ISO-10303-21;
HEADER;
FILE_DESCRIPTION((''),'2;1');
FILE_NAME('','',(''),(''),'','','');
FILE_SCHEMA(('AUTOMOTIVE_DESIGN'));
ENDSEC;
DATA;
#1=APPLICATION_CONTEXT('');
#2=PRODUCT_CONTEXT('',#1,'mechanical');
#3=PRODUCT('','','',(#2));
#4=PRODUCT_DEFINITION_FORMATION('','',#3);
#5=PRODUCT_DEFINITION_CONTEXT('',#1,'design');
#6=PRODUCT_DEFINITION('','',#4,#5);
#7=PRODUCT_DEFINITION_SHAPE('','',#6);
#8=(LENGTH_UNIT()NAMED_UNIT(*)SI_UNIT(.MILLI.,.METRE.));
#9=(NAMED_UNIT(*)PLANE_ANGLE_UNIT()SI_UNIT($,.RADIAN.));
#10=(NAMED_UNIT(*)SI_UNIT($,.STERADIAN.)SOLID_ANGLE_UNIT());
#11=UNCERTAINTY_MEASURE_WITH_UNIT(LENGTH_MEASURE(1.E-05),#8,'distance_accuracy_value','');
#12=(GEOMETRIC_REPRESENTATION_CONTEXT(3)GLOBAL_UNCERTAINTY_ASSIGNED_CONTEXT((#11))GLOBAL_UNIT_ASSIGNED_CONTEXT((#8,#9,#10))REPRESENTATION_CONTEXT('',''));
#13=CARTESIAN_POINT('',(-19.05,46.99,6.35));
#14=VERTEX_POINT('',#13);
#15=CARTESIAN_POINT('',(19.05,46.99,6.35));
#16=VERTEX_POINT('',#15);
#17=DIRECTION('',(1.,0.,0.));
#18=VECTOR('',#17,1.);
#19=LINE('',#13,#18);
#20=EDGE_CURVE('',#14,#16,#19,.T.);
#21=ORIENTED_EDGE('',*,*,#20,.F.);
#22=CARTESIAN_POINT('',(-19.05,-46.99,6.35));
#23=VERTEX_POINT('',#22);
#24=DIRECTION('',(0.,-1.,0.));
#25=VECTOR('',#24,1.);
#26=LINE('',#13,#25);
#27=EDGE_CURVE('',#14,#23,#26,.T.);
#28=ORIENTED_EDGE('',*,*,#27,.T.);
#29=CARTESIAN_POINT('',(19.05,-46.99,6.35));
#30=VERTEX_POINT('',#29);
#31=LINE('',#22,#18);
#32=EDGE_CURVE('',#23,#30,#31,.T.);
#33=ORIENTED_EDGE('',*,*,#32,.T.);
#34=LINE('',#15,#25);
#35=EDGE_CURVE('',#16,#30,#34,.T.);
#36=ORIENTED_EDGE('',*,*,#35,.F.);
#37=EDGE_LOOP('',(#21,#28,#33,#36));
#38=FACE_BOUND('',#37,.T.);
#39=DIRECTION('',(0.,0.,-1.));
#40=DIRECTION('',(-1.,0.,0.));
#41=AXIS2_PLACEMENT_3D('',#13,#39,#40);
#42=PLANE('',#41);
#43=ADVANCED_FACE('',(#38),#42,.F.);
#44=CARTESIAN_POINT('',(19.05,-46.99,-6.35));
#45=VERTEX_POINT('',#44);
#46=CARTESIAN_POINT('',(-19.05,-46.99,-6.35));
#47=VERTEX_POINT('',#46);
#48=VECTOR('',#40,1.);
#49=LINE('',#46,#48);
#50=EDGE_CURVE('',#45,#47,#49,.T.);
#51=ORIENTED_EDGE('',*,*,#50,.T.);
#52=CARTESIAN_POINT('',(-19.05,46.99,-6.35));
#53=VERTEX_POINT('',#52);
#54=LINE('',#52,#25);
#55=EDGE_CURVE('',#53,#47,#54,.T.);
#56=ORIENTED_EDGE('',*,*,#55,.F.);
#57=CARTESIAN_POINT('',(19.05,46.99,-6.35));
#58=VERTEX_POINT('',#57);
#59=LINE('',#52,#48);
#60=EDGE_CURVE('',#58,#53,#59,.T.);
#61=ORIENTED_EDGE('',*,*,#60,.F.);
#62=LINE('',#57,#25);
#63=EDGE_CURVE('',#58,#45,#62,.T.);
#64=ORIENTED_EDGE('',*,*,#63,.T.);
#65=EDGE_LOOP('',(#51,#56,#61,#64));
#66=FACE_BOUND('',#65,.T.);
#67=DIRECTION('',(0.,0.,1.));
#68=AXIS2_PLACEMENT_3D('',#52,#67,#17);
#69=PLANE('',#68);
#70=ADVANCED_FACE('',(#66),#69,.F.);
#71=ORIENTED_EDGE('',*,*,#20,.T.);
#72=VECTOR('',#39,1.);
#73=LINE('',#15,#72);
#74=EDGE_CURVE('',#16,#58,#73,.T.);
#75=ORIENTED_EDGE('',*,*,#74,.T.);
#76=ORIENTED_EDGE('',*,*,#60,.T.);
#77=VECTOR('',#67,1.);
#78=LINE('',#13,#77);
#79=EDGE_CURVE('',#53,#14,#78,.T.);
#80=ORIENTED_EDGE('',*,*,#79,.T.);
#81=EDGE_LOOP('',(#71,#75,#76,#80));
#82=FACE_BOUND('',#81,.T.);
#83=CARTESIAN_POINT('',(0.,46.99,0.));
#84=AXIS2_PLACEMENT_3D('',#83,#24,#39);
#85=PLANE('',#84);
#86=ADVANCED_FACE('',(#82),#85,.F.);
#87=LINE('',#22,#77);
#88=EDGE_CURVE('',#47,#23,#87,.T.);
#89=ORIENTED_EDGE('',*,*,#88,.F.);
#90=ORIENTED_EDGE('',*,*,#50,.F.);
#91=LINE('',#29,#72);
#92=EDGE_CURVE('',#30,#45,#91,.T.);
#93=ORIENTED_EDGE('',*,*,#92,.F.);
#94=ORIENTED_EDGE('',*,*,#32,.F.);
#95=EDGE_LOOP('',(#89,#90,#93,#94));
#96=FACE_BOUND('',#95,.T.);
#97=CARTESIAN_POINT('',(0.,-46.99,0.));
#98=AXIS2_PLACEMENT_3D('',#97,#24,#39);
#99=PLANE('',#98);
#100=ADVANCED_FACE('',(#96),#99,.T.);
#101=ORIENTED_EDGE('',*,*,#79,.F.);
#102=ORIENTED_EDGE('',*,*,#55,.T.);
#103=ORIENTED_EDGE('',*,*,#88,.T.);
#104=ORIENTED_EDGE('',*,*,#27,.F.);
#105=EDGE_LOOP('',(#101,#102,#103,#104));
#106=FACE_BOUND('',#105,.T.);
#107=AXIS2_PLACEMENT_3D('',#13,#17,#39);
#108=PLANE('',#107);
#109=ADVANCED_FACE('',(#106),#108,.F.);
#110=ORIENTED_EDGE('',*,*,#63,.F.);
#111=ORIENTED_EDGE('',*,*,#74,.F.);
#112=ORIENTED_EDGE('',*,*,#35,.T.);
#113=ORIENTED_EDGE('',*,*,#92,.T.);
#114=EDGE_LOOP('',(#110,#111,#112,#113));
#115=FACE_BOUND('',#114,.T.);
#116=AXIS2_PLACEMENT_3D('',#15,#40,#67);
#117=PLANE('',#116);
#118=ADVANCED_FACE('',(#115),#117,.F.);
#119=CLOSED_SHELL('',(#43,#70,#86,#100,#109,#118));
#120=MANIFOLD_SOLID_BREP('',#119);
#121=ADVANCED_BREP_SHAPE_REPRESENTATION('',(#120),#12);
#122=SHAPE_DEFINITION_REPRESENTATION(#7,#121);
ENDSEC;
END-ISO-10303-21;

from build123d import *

# Parameters (mm, degrees)
SKETCH25_W          = 38.1
SKETCH25_H          = 12.7
BOSS_EXTRUDE1_DEPTH = 46.99


with BuildPart() as part:
    # Sketch25 → Boss-Extrude1 (new body, symmetric)
    with BuildSketch(Plane(origin=(0, 0, 0), x_dir=(1, 0, 0), z_dir=(0, 1, 0))):
        Rectangle(SKETCH25_W, SKETCH25_H)
    extrude(amount=BOSS_EXTRUDE1_DEPTH, both=True)


solid = part.part
